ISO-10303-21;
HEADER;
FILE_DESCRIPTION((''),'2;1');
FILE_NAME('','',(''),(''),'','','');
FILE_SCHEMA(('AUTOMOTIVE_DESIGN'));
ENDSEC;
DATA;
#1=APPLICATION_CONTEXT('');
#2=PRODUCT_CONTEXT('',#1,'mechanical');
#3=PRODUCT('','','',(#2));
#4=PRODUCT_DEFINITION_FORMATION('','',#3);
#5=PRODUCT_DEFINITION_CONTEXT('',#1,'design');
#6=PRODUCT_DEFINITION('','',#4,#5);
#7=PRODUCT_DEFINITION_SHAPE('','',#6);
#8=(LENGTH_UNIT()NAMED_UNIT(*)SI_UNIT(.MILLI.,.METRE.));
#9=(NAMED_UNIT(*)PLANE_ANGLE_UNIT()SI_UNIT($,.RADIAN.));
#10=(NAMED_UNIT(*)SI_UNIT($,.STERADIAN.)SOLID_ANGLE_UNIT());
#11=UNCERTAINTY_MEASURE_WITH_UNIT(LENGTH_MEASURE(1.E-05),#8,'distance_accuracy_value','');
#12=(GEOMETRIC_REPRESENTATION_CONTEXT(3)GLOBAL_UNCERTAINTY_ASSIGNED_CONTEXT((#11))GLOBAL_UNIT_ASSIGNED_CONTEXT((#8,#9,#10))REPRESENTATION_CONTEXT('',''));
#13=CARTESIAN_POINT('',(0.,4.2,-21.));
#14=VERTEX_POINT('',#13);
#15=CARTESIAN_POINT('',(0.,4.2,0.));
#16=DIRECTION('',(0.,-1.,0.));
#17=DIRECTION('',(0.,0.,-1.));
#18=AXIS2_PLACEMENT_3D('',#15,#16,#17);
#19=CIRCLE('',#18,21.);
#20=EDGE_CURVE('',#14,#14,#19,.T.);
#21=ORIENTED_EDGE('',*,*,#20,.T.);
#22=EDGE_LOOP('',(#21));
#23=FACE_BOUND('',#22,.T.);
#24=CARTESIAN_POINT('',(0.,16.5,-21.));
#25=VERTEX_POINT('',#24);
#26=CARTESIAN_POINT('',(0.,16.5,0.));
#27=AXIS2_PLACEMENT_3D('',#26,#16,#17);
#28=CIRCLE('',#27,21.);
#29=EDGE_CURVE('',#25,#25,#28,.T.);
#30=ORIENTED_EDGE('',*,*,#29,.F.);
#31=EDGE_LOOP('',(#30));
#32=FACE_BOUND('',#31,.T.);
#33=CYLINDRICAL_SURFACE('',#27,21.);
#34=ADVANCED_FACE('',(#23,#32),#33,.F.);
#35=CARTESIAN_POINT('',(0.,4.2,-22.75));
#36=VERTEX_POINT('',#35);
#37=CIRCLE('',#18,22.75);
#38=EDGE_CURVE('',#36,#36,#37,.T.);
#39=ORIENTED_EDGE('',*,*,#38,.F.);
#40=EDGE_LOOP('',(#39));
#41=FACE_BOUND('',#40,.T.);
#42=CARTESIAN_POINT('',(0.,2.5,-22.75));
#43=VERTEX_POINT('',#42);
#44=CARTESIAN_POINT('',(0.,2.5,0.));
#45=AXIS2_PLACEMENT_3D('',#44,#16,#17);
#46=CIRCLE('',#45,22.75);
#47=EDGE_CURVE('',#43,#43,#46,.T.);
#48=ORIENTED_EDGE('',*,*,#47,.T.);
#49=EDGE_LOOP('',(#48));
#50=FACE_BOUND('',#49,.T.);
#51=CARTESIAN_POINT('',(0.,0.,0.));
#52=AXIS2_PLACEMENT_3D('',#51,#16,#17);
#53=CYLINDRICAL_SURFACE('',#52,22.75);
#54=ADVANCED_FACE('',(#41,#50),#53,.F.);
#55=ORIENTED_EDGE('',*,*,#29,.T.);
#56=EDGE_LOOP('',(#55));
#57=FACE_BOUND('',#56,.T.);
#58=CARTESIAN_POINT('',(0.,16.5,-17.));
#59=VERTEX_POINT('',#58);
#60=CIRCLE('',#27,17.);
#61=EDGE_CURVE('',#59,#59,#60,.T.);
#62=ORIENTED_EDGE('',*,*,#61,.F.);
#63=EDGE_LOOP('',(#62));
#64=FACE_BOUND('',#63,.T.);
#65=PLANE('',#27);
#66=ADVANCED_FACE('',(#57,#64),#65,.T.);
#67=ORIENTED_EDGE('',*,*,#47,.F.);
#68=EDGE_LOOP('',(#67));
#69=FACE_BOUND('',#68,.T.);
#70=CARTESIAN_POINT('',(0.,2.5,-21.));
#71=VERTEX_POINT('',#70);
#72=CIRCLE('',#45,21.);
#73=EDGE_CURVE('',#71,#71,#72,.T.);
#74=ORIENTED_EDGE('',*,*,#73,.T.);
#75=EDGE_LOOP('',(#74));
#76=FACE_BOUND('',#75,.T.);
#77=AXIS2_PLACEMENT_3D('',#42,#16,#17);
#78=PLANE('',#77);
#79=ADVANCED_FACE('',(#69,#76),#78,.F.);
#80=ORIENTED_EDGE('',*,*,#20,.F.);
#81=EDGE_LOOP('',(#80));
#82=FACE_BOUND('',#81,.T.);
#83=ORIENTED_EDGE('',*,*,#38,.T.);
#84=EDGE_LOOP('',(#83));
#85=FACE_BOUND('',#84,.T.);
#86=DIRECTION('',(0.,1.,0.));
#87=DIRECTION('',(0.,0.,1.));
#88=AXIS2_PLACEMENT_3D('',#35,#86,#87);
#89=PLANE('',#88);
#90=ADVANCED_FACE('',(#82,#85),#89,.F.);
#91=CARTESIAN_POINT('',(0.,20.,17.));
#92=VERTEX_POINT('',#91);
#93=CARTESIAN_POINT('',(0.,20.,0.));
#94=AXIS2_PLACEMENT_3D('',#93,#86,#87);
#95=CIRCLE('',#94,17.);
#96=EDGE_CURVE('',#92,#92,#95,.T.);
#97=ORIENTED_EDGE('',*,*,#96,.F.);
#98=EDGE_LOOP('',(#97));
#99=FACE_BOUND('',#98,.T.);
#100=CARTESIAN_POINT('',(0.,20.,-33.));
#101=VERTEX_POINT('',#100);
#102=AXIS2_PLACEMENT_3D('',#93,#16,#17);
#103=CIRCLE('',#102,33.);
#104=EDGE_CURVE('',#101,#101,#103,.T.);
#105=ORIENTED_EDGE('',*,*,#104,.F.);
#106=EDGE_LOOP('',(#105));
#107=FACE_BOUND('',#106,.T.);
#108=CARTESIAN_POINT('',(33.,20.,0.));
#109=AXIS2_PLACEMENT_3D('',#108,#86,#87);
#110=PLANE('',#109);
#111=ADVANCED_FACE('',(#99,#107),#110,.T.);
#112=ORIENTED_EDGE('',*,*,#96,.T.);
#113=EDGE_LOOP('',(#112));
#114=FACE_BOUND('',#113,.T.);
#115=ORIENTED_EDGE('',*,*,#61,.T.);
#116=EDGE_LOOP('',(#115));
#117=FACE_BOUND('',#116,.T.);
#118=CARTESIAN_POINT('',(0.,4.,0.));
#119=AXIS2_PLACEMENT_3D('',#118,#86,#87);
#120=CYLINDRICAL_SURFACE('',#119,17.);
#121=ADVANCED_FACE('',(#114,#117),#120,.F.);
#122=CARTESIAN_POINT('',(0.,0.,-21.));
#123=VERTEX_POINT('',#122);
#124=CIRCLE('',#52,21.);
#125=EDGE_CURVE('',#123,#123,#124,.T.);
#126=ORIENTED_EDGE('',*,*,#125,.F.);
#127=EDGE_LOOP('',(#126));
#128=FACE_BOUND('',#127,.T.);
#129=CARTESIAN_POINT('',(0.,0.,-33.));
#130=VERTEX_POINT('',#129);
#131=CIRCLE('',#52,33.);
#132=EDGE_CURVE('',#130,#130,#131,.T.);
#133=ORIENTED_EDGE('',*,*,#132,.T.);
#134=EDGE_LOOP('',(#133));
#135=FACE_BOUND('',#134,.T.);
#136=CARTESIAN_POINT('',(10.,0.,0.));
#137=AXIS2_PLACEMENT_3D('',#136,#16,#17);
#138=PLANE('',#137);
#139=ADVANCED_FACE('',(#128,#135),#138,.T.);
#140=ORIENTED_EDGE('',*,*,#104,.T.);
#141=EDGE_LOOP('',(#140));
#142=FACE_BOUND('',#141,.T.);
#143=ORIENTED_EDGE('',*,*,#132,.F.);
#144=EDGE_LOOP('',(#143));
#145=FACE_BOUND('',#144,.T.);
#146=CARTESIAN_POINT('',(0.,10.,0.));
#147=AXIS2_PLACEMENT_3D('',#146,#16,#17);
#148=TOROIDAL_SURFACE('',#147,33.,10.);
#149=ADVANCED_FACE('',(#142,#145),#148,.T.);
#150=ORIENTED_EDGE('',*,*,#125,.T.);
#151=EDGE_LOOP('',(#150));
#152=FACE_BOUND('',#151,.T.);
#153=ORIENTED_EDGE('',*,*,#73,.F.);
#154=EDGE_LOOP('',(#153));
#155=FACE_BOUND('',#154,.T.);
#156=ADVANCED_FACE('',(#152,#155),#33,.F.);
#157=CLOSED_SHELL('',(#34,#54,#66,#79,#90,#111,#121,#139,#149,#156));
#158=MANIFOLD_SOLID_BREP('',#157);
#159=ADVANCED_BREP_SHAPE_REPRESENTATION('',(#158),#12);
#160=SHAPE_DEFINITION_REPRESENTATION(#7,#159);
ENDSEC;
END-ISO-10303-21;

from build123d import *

# Parameters (mm, degrees)
SKETCH_5_R          = 21
CUT_EXTRUDE_1_DEPTH = 16.5
SKETCH_6_W          = 1.75
SKETCH_6_H          = 1.7
SKETCH_7_R          = 17
CUT_EXTRUDE_2_DEPTH = 16


with BuildPart() as part:
    # 草图1 → 旋转1 (revolve)
    with BuildSketch(Plane.XY, mode=Mode.PRIVATE) as revolve_1_sk:
        with BuildLine():
            Line((10, 0), (33, 0))
            ThreePointArc((33, 0), (43, 10), (33, 20))
            Line((33, 20), (10, 20))
            Line((10, 20), (10, 0))
        make_face()
    revolve(revolve_1_sk.sketch.rotate(Axis((0, 0, 0), (0, 1, 0)), 90), axis=Axis((0, 0, 0), (0, 1, 0)))

    # 草图5 → 切除-拉伸1 (cut)
    with BuildSketch(Plane.XZ):
        with Locations(Location((0, 0, 0), (0, 0, 270))):
            Circle(SKETCH_5_R)
    extrude(amount=-CUT_EXTRUDE_1_DEPTH, mode=Mode.SUBTRACT)

    # 草图6 → 切除-旋转1 (revolve, cut)
    with BuildSketch(Plane(origin=(0, 0, 0), x_dir=(0, 0, -1), z_dir=(1, 0, 0))):
        with Locations((21.875, 3.35)):
            Rectangle(SKETCH_6_W, SKETCH_6_H)
    revolve(axis=Axis((0, 0, 0), (0, 1, 0)), mode=Mode.SUBTRACT)

    # 草图7 → 切除-拉伸2 (cut)
    with BuildSketch(Plane(origin=(0, 20, 0), x_dir=(1, 0, 0), z_dir=(0, 1, 0))):
        with Locations(Location((0, 0, 0), (0, 0, 270))):
            Circle(SKETCH_7_R)
    extrude(amount=-CUT_EXTRUDE_2_DEPTH, mode=Mode.SUBTRACT)


solid = part.part
